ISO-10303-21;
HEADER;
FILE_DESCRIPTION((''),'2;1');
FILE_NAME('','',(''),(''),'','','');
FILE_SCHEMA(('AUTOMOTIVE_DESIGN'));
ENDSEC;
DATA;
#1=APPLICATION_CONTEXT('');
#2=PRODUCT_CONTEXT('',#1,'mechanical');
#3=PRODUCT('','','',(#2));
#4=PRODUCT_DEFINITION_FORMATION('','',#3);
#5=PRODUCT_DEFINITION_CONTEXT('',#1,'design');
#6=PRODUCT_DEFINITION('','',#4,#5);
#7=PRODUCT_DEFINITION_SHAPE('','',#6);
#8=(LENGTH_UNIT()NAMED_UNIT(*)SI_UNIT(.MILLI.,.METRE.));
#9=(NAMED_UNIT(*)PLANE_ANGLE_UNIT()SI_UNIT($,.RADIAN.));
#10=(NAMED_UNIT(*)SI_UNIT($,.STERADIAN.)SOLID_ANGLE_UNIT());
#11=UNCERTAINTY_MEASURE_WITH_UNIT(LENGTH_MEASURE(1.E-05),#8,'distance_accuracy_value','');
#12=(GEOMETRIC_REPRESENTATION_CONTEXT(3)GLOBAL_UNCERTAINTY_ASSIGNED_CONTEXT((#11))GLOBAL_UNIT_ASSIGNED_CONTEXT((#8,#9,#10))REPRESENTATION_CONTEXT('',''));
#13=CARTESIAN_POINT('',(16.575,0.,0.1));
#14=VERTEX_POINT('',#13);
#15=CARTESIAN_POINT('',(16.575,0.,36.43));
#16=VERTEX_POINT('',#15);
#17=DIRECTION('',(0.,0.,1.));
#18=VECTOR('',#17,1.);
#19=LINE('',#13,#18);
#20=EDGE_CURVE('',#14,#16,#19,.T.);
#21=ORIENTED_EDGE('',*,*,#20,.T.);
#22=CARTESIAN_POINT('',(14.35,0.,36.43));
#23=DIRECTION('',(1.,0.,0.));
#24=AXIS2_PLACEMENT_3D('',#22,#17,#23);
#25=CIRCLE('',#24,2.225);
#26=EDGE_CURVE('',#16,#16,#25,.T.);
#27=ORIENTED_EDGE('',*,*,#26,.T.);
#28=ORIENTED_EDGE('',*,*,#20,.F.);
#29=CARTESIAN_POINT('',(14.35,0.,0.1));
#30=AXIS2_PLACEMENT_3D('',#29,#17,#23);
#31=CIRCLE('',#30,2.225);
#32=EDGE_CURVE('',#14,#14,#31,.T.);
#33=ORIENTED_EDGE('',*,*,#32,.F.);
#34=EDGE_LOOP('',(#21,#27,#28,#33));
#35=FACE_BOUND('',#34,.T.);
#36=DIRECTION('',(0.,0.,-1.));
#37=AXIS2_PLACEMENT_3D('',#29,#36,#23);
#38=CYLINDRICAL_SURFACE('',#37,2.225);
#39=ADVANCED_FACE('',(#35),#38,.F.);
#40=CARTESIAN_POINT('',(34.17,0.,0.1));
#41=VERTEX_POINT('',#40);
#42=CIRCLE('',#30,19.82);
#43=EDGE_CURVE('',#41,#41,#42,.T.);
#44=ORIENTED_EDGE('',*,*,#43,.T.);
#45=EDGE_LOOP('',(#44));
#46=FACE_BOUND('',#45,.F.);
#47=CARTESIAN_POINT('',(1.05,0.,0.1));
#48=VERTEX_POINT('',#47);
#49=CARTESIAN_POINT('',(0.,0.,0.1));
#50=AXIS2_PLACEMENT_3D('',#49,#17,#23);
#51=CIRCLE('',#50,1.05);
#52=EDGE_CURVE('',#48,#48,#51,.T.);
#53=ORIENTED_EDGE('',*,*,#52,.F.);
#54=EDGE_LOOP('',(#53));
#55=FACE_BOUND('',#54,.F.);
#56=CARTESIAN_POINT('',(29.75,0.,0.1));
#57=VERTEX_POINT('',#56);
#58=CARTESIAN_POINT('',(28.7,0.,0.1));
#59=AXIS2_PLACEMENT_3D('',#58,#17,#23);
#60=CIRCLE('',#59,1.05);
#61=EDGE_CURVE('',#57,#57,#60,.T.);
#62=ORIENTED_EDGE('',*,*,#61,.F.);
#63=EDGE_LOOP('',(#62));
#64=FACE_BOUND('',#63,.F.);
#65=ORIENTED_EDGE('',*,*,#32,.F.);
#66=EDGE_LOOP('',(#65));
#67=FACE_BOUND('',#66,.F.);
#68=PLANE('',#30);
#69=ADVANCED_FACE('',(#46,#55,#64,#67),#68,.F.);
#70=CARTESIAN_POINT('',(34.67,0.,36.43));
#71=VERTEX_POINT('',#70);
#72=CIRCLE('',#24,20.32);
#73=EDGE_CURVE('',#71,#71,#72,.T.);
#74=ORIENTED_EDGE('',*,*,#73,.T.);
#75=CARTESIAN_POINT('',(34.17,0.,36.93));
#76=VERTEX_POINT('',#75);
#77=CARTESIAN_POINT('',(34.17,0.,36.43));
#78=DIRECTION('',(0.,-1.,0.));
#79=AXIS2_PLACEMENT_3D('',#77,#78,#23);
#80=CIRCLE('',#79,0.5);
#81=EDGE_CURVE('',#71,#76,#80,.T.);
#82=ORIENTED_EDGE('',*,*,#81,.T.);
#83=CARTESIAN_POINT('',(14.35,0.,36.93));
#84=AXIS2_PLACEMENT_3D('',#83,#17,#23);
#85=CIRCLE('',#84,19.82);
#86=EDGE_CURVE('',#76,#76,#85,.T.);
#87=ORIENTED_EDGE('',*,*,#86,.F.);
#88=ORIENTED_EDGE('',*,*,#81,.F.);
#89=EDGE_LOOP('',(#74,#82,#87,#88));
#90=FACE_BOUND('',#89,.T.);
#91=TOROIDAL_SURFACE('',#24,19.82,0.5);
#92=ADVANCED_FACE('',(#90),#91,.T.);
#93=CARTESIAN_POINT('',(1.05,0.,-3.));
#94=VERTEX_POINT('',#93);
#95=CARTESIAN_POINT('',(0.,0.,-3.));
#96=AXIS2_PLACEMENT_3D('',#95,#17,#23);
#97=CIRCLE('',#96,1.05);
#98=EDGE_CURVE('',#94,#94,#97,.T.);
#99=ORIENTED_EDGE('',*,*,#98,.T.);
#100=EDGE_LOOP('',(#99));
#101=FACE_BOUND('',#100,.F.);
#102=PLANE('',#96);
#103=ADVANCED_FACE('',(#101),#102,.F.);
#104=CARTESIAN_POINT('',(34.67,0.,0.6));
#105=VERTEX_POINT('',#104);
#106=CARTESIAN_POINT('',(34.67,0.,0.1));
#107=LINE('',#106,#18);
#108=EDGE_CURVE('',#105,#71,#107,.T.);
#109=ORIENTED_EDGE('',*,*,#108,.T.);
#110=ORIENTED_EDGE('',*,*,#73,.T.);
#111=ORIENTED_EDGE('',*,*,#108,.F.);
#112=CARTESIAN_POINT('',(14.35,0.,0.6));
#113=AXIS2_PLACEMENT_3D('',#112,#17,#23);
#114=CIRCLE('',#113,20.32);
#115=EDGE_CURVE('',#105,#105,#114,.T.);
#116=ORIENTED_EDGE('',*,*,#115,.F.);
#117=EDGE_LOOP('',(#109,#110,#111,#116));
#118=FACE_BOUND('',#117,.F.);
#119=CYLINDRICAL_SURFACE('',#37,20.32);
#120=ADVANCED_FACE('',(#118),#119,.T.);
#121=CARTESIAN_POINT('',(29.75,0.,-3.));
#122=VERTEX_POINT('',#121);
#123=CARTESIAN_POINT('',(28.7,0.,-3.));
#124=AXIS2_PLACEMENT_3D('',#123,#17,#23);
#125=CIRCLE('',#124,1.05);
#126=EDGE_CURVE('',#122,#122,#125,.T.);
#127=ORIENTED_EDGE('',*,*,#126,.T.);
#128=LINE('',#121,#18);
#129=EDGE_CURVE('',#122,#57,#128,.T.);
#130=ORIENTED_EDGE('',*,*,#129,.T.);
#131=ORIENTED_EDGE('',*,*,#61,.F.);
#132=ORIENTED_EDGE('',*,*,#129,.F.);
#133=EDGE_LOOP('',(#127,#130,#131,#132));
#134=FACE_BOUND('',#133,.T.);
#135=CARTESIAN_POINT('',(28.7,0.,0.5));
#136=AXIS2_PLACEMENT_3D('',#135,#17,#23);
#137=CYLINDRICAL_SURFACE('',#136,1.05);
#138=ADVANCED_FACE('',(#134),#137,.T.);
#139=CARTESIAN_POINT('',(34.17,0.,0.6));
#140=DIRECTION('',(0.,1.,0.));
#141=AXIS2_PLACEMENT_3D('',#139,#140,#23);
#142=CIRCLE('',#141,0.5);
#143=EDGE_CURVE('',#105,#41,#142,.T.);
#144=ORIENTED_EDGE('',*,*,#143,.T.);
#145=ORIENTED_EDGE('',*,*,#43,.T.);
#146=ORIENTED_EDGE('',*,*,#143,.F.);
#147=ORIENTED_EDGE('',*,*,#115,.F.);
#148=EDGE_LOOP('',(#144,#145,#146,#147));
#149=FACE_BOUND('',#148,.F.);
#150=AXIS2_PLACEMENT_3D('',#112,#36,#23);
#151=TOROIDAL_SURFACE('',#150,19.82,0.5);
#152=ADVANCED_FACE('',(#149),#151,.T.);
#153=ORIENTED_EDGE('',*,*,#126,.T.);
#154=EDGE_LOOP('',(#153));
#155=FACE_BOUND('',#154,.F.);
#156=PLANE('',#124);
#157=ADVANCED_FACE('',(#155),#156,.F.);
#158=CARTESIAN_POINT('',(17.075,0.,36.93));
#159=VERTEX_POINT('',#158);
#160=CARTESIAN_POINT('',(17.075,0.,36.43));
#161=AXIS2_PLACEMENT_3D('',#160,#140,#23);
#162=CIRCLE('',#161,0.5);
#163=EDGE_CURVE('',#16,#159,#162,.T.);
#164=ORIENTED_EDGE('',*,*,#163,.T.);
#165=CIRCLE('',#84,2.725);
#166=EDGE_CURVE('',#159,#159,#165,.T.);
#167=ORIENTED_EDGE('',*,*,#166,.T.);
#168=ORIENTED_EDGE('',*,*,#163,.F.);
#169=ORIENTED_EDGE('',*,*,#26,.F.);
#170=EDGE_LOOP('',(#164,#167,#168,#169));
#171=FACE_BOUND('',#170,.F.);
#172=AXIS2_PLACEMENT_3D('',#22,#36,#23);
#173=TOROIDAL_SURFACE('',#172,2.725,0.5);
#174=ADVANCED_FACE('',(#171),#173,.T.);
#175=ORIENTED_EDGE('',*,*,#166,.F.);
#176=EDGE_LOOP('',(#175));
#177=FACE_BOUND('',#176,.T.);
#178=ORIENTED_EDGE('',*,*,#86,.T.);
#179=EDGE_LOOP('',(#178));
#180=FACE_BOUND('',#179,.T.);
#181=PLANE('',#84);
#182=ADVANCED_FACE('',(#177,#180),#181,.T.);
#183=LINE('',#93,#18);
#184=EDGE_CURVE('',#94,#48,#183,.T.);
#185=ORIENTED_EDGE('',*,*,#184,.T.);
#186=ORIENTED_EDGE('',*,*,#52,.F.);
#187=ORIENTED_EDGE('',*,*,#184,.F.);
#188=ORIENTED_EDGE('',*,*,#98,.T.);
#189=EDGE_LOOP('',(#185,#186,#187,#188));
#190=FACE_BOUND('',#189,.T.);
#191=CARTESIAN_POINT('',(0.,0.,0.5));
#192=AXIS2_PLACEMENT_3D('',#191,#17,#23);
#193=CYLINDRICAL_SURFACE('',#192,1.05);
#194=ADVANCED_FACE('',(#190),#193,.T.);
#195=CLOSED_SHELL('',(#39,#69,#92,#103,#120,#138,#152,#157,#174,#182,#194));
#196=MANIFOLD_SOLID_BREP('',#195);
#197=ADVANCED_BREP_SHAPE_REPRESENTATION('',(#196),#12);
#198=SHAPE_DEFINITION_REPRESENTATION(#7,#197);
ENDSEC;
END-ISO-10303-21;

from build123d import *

# Parameters (mm, degrees)
SKETCH_R          = 20.32
SKETCH_R_2        = 2.225
PAD_DEPTH         = 36.83
FILLET_R          = 0.5
SKETCH001_R       = 1.05
PAD001_DEPTH      = 18.415
PAD001_DEPTH_BACK = 3.5


with BuildPart() as fillet_body:
    # Sketch → Pad (new body)
    with BuildSketch(Plane.XY.offset(0.1)):
        with Locations((14.35, 0)):
            Circle(SKETCH_R)
        with Locations((14.35, 0)):
            Circle(SKETCH_R_2, mode=Mode.SUBTRACT)
    extrude(amount=PAD_DEPTH)

    # Fillet
    fillet_edges = [fillet_body.edges().sort_by_distance(p)[0] for p in [
        (12.125, 0, 36.93),
        (-5.97, 0, 36.93),
        (-5.97, 0, 0.1),
    ]]
    fillet(fillet_edges, radius=FILLET_R)


with BuildPart() as pad001_mp_cp:
    # Sketch001 → Pad001 (new body, two sides)
    with BuildSketch(Plane.XY.offset(0.5)) as pad001_sk:
        Circle(SKETCH001_R)
        with Locations((28.7, 0)):
            Circle(SKETCH001_R)
    extrude(amount=PAD001_DEPTH)
    extrude(pad001_sk.sketch, amount=-PAD001_DEPTH_BACK)

    # Pad001_mp_cp: union Fillet body
    add(fillet_body.part)


solid = pad001_mp_cp.part
